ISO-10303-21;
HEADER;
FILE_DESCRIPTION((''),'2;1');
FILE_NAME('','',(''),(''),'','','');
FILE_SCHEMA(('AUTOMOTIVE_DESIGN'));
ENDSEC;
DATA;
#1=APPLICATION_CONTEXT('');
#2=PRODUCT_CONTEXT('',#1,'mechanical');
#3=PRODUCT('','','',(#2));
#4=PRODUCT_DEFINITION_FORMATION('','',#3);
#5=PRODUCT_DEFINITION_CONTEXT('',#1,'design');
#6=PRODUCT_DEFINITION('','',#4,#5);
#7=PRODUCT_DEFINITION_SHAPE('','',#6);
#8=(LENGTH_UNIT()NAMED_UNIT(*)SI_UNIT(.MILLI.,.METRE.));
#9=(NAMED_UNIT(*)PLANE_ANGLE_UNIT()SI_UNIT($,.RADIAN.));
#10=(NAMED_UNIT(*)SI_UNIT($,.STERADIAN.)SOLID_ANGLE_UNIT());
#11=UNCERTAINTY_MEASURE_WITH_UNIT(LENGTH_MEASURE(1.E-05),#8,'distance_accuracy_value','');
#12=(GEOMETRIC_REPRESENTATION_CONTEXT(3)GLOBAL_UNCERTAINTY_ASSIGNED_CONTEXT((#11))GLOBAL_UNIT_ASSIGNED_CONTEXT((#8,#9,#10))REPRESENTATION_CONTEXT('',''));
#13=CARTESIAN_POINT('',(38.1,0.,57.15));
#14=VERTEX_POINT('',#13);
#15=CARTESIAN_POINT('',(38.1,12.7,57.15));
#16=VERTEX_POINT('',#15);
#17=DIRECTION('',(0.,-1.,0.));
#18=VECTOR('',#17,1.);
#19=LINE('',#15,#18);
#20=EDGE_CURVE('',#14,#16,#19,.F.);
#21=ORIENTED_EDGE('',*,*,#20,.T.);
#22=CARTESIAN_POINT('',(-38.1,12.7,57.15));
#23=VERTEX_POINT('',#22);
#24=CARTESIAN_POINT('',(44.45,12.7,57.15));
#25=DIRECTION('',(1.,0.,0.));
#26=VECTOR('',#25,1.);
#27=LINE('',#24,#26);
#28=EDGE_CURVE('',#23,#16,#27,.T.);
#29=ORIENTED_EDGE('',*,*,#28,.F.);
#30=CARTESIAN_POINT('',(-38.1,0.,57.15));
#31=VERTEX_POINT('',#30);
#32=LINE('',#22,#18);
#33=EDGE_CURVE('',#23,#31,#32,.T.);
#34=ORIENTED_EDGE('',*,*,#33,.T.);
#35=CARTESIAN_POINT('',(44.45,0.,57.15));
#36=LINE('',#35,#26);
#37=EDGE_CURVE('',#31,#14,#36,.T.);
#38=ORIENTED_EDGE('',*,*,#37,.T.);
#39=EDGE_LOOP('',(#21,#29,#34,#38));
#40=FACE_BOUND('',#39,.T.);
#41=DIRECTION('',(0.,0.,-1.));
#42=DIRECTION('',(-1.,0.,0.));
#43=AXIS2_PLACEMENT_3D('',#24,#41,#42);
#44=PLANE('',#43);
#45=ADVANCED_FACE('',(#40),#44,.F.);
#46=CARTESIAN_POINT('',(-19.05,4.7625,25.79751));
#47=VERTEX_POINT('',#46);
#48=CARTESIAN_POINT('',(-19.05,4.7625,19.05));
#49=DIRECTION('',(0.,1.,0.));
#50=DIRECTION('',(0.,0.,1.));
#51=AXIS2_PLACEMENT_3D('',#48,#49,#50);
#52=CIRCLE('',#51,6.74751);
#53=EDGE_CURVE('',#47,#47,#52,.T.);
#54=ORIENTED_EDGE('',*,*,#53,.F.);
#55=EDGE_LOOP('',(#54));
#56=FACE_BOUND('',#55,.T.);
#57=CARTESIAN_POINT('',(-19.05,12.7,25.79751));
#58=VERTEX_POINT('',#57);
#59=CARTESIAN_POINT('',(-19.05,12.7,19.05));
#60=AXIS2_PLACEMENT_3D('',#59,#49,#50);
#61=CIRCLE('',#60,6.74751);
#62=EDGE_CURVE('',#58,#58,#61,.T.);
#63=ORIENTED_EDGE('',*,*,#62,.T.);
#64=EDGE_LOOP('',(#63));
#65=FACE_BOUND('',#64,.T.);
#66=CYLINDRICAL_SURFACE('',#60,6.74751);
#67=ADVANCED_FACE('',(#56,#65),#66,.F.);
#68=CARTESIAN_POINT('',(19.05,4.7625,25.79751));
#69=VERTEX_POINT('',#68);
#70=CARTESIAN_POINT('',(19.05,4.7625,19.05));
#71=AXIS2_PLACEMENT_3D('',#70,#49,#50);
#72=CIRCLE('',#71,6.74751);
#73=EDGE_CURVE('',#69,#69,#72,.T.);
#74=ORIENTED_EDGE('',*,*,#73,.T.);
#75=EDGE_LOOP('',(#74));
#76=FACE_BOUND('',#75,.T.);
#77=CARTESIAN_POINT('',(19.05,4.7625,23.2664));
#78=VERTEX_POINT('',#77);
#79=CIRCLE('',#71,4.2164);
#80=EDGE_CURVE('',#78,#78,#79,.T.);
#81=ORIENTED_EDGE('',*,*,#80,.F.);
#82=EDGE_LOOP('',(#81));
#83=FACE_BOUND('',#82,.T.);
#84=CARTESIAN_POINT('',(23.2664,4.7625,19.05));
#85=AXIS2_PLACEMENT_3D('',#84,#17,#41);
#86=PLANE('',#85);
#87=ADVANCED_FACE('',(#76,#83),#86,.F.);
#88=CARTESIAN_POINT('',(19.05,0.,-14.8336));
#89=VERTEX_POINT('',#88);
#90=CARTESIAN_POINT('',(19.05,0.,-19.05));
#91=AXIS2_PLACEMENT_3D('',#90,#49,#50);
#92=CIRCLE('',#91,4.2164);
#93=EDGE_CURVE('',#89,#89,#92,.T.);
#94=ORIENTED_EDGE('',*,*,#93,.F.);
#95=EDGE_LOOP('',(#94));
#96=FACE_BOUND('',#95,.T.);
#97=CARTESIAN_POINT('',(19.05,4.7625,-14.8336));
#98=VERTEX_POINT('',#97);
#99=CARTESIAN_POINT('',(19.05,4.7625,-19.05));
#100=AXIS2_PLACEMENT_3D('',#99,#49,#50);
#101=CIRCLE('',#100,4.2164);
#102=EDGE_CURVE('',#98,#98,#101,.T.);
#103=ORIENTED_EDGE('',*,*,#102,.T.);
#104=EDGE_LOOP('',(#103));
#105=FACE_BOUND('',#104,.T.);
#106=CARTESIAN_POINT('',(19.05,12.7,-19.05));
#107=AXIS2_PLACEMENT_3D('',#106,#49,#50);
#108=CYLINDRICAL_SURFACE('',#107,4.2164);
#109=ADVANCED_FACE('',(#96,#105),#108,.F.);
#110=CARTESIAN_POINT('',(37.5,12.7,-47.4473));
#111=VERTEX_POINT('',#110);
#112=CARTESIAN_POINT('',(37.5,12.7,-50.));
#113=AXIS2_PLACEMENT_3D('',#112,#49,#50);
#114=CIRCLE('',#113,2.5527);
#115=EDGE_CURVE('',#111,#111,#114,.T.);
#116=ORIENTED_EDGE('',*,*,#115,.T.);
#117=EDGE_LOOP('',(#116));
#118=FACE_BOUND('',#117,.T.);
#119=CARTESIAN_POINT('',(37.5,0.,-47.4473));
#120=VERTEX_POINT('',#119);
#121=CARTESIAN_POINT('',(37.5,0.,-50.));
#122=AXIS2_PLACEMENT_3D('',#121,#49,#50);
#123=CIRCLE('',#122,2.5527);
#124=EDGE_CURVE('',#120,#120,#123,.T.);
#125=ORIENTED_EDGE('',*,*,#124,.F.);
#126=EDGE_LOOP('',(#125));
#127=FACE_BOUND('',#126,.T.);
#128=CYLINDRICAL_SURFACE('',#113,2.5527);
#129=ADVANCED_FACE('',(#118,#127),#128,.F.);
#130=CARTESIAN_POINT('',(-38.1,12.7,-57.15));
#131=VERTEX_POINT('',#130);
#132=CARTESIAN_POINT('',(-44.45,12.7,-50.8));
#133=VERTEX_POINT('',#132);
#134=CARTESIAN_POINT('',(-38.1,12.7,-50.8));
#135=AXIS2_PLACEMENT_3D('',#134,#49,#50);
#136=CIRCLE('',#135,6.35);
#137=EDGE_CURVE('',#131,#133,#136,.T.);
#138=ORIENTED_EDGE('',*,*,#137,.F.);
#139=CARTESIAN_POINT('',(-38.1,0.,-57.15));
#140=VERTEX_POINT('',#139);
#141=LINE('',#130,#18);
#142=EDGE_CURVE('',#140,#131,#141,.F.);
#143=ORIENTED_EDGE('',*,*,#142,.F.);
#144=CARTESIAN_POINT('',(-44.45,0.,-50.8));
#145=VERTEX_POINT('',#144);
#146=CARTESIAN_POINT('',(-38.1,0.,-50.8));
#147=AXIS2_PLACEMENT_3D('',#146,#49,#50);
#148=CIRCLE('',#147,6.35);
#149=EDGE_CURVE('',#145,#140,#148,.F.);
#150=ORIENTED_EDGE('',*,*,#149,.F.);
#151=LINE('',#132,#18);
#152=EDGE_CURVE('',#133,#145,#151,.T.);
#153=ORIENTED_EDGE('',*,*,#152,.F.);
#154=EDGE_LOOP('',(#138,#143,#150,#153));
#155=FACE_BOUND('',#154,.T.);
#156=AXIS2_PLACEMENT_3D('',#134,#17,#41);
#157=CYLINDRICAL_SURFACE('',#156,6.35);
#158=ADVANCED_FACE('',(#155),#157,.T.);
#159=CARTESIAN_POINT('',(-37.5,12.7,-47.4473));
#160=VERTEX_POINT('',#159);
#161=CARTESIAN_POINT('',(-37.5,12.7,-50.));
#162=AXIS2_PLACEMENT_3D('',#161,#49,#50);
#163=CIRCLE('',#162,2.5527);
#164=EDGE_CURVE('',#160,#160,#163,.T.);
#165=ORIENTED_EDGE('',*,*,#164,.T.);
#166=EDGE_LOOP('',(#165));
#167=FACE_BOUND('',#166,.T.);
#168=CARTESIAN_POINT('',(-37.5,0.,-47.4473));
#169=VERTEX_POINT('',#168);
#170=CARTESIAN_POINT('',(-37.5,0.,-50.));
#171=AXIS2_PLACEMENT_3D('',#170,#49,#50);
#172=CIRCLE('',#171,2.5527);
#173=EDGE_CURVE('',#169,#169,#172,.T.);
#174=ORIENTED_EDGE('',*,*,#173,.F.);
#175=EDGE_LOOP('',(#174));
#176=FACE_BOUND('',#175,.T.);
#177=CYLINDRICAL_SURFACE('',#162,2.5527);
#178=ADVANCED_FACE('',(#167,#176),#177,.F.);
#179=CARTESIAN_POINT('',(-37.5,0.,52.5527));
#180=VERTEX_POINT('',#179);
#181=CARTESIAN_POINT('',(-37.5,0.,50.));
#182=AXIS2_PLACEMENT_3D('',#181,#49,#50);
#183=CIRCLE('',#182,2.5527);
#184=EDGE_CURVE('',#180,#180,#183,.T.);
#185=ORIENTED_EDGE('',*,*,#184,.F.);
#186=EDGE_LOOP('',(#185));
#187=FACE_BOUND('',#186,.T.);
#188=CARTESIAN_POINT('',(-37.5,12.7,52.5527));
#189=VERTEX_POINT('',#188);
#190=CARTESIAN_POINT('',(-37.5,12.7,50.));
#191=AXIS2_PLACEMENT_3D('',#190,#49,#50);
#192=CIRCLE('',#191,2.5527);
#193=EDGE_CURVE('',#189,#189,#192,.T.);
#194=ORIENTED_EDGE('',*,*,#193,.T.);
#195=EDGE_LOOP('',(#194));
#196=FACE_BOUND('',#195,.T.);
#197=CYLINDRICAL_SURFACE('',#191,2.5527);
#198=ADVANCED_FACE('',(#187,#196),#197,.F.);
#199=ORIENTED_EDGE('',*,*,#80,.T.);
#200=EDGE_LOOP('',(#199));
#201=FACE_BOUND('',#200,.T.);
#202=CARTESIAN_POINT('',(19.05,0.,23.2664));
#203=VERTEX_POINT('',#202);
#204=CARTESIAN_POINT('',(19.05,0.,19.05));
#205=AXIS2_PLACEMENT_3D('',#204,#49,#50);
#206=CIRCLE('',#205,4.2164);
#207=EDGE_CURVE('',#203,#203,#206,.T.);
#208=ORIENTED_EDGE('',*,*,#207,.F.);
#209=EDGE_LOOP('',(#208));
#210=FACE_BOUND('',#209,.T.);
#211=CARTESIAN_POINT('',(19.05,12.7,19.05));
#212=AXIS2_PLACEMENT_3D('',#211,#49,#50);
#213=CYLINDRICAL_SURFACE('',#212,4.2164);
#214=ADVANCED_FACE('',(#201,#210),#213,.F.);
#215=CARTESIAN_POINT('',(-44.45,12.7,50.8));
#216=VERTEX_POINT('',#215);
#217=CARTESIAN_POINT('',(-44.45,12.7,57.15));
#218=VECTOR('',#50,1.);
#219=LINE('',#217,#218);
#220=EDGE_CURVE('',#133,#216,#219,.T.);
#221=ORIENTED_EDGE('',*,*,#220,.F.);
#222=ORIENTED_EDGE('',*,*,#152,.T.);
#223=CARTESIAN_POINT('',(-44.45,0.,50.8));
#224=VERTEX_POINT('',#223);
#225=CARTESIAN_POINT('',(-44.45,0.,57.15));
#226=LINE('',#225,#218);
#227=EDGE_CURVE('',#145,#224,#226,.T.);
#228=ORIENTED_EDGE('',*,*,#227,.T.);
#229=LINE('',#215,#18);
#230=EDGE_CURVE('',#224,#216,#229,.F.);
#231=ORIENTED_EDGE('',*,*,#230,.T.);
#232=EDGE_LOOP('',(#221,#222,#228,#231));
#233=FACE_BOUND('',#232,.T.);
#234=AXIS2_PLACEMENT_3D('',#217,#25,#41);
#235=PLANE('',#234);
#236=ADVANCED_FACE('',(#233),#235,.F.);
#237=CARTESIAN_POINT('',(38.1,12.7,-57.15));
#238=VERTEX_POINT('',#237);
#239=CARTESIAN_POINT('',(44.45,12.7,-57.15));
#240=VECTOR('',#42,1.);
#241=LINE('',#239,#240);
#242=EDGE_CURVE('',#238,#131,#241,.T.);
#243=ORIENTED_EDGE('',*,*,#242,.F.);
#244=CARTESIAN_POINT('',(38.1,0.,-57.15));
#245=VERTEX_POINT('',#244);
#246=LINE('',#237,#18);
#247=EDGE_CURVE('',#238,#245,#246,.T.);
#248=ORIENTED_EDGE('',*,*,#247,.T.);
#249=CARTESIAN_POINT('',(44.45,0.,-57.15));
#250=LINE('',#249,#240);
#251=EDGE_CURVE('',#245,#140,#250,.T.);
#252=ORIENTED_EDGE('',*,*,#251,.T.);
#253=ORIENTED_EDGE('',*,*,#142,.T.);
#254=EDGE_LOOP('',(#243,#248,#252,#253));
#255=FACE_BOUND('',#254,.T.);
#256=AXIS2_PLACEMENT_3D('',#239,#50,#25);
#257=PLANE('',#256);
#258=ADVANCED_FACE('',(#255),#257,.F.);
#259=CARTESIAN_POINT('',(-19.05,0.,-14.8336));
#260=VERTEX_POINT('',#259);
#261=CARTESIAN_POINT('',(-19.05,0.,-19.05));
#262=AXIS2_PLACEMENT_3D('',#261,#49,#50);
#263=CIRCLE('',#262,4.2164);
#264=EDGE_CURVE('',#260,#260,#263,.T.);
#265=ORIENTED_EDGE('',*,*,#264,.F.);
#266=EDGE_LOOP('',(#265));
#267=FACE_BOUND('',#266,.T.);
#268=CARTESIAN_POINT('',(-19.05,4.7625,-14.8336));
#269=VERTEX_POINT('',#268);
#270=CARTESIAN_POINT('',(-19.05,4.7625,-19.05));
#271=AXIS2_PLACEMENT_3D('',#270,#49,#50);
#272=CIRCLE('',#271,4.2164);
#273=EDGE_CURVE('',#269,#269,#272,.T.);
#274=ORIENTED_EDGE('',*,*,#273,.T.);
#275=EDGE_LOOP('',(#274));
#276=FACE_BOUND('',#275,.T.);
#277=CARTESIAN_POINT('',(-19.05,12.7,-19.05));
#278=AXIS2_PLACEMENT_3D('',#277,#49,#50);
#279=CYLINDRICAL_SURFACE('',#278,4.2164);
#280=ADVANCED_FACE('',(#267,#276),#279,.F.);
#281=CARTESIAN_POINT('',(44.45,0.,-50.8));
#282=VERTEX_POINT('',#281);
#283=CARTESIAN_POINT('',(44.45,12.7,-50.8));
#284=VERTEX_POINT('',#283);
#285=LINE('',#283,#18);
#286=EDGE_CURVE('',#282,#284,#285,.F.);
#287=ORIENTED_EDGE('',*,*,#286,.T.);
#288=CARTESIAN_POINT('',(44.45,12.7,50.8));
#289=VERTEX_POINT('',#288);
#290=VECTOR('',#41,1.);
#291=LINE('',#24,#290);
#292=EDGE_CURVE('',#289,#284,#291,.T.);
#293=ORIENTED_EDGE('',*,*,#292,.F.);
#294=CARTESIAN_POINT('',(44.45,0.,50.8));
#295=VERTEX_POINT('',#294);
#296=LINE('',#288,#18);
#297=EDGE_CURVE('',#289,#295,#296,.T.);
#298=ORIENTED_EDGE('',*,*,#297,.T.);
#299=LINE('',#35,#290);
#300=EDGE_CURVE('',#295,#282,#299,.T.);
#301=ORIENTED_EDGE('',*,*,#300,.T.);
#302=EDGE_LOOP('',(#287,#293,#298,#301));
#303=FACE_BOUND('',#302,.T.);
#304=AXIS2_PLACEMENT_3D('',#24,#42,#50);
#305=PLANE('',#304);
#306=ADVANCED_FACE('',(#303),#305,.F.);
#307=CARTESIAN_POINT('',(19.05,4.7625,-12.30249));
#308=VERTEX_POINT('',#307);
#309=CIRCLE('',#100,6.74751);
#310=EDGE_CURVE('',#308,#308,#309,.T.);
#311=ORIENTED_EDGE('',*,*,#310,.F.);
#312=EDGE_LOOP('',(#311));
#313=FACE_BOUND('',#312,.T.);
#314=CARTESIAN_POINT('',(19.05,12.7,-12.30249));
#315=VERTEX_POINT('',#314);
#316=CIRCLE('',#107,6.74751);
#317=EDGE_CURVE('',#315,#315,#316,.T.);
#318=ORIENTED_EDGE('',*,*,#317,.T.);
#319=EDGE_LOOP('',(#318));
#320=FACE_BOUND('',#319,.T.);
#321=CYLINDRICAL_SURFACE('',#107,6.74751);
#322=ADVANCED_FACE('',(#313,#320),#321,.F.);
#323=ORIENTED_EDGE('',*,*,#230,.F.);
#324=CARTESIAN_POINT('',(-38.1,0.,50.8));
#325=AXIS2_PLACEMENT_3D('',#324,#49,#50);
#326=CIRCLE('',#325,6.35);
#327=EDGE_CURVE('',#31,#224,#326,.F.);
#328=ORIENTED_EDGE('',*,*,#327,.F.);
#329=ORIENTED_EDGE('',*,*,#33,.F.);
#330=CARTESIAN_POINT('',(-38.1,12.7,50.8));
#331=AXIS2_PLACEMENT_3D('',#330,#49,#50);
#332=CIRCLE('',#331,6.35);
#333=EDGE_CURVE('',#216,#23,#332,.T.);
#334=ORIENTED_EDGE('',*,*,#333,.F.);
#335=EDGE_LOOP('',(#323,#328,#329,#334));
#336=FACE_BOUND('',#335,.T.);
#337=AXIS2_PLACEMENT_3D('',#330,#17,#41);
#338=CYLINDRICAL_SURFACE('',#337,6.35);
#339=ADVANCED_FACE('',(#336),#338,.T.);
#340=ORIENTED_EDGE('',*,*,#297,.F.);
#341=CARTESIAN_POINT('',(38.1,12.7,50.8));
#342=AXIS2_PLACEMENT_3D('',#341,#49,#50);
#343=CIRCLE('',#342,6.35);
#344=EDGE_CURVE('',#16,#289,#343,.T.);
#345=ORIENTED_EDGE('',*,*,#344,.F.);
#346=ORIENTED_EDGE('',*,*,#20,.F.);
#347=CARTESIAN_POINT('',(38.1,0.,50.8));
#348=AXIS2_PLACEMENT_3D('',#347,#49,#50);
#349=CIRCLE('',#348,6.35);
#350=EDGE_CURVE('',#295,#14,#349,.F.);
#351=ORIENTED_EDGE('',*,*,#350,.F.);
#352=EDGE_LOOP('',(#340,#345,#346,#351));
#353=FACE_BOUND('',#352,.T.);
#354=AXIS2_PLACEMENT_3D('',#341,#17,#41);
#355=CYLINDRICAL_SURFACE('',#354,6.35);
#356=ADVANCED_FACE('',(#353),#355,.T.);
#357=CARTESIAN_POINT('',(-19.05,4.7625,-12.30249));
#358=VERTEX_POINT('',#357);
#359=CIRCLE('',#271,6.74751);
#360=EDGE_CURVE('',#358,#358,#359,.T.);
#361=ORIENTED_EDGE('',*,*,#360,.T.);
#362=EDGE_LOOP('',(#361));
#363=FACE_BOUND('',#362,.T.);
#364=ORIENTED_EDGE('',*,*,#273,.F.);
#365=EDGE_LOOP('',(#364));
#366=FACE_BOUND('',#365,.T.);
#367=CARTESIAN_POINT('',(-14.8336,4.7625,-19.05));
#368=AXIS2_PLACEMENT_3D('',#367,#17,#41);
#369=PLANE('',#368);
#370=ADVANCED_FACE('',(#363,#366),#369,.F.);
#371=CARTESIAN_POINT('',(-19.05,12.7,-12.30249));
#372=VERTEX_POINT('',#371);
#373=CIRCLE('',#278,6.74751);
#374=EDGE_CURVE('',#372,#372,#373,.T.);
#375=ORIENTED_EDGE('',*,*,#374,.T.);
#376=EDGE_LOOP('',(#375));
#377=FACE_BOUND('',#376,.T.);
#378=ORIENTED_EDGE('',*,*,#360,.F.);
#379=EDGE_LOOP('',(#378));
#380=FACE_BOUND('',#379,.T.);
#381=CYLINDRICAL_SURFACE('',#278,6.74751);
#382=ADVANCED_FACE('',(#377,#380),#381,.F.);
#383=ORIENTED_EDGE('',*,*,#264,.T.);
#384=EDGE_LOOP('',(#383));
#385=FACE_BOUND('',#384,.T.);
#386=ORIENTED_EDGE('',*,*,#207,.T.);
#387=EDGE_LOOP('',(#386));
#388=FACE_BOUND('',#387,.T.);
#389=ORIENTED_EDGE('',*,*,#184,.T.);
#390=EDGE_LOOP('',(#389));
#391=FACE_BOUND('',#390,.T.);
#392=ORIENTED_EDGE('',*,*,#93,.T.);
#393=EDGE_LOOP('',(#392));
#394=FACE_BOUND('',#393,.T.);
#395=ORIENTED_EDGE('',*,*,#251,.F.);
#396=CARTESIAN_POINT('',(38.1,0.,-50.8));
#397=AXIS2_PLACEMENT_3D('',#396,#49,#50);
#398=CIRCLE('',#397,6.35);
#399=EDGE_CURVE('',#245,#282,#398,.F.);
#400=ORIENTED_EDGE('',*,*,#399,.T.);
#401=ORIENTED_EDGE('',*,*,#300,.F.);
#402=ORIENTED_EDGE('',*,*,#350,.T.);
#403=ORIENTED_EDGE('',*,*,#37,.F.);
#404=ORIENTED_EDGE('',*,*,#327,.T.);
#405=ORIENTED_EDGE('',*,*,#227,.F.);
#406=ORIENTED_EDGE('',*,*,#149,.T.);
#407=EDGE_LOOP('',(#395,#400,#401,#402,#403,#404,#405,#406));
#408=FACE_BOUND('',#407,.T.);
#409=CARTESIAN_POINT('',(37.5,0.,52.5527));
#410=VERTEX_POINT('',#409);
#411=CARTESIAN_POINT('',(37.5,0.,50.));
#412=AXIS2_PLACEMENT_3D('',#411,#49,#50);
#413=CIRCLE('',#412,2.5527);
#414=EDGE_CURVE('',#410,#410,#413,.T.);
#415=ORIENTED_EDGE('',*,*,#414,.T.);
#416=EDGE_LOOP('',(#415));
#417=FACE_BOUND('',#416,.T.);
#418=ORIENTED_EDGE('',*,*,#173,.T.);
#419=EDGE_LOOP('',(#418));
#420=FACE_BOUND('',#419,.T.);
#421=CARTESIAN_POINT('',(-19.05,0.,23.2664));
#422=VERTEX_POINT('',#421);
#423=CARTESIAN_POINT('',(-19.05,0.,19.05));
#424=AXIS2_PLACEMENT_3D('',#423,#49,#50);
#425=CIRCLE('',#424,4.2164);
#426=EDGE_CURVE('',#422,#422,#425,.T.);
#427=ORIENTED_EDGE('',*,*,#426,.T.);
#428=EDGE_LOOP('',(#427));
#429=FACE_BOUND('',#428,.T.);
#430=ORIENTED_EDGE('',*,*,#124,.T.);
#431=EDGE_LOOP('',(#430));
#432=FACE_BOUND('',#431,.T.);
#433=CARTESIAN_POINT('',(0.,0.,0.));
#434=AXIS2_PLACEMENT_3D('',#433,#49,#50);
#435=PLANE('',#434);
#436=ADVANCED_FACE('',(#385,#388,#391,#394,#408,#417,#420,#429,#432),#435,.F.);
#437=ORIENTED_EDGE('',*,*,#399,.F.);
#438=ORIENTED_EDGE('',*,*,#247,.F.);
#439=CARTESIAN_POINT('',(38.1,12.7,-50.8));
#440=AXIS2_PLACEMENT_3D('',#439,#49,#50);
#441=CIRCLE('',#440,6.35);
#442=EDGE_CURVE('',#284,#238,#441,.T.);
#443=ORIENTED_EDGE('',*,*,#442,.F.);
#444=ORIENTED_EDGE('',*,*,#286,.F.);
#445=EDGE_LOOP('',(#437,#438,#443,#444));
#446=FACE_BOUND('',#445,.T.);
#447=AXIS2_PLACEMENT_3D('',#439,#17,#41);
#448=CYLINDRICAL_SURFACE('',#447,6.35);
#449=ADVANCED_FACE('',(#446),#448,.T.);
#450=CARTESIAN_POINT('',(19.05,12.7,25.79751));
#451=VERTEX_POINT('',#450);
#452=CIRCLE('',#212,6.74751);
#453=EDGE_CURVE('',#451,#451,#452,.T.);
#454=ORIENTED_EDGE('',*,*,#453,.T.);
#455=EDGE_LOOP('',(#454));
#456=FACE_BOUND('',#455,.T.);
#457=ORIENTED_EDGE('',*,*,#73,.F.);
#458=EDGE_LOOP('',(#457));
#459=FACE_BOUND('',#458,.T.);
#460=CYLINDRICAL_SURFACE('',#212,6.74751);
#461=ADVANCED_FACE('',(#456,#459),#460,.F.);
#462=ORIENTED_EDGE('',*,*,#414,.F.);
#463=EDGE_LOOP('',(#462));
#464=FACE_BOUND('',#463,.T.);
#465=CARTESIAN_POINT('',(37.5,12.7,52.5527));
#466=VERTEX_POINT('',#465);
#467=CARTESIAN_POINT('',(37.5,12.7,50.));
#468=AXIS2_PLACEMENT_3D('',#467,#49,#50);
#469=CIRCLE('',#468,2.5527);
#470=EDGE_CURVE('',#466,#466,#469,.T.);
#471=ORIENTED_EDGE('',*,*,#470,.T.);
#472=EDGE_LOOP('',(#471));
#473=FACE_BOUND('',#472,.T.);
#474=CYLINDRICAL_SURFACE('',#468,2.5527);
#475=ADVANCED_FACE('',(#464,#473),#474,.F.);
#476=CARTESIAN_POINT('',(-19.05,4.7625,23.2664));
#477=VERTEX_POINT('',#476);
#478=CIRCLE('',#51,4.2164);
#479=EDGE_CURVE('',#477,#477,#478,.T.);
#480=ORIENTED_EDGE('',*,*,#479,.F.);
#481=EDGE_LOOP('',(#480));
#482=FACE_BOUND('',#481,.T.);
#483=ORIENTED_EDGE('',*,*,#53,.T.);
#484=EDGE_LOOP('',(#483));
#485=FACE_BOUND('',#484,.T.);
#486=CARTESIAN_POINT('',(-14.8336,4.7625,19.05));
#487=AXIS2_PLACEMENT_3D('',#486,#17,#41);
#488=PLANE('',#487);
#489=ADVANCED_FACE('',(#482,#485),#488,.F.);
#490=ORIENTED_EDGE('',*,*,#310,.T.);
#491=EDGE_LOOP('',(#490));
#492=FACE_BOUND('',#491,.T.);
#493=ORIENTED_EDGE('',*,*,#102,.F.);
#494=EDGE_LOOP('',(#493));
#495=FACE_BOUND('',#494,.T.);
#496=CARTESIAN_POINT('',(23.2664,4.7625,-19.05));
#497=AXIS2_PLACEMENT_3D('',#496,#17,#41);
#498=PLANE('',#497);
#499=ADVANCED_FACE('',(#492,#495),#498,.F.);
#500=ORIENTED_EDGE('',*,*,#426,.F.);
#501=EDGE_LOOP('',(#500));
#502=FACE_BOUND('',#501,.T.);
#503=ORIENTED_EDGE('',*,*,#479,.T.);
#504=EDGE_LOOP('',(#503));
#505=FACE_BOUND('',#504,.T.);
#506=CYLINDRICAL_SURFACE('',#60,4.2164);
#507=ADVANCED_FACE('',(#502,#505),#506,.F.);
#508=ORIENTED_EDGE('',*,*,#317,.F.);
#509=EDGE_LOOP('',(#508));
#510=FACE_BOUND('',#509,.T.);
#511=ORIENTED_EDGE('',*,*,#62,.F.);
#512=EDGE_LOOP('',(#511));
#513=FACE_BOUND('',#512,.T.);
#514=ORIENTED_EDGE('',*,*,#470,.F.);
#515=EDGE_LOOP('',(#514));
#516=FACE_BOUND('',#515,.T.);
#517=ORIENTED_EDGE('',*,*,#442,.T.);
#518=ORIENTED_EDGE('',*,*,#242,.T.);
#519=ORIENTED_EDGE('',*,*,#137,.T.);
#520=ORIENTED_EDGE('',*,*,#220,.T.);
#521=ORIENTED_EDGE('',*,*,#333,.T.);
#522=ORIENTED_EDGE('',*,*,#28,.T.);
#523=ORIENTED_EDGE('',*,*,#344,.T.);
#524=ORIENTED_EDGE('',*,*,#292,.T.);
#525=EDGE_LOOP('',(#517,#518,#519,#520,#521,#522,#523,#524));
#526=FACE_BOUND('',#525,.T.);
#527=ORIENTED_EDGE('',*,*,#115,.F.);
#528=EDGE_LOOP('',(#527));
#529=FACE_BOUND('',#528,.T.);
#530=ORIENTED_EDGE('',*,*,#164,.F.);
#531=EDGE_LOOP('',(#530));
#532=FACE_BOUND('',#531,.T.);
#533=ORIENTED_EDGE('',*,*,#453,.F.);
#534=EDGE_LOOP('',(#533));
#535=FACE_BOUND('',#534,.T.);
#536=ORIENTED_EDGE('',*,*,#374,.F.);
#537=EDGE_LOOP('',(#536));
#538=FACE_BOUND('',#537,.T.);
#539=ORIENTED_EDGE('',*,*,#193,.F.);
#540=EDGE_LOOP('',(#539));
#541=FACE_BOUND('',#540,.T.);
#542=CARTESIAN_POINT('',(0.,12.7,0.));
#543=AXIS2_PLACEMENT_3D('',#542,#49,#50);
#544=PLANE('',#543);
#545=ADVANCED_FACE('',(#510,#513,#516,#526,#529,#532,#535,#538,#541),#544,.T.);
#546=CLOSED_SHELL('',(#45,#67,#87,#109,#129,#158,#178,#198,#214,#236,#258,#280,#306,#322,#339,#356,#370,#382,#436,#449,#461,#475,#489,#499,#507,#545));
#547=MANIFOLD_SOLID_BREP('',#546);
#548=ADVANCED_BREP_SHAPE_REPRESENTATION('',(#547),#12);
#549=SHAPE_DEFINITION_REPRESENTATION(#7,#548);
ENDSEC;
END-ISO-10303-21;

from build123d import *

# Parameters (mm, degrees)
SKETCH1_W                                         = 88.9
SKETCH1_H                                         = 114.3
BOSS_EXTRUDE1_DEPTH                               = 12.7
FILLET1_R                                         = 6.35
CBORE_FOR_5_16_SOCKET_HEAD_CAP_SCREW1_D           = 8.4328
CBORE_FOR_5_16_SOCKET_HEAD_CAP_SCREW1_CBORE_D     = 13.49502
CBORE_FOR_5_16_SOCKET_HEAD_CAP_SCREW1_CBORE_DEPTH = 7.9375
F_1_4_20_TAPPED_HOLE1_D                           = 5.1054


with BuildPart() as part:
    # Sketch1 → Boss-Extrude1 (new body)
    with BuildSketch(Plane(origin=(0, 0, 0), x_dir=(1, 0, 0), z_dir=(0, 1, 0))):
        Rectangle(SKETCH1_W, SKETCH1_H)
    extrude(amount=BOSS_EXTRUDE1_DEPTH)

    # Fillet1
    fillet1_edges = [part.edges().sort_by_distance(p)[0] for p in [
        (-44.45, 6.35, -57.15),
        (44.45, 6.35, -57.15),
        (44.45, 6.35, 57.15),
        (-44.45, 6.35, 57.15),
    ]]
    fillet(fillet1_edges, radius=FILLET1_R)

    # CBORE for 5/16 Socket Head Cap Screw1 (through all)
    with Locations(Plane(origin=(0, 12.7, 0), x_dir=(1, 0, 0), z_dir=(0, 1, 0))):
        with Locations((-19.05, 19.05), (-19.05, -19.05), (19.05, -19.05), (19.05, 19.05)):
            CounterBoreHole(CBORE_FOR_5_16_SOCKET_HEAD_CAP_SCREW1_D / 2, CBORE_FOR_5_16_SOCKET_HEAD_CAP_SCREW1_CBORE_D / 2, CBORE_FOR_5_16_SOCKET_HEAD_CAP_SCREW1_CBORE_DEPTH)

    # 1/4-20 Tapped Hole1 (through all)
    with Locations(Plane(origin=(0, 12.7, 0), x_dir=(1, 0, 0), z_dir=(0, 1, 0))):
        with Locations((-37.5, 50), (37.5, 50), (37.5, -50), (-37.5, -50)):
            Hole(F_1_4_20_TAPPED_HOLE1_D / 2)


solid = part.part
